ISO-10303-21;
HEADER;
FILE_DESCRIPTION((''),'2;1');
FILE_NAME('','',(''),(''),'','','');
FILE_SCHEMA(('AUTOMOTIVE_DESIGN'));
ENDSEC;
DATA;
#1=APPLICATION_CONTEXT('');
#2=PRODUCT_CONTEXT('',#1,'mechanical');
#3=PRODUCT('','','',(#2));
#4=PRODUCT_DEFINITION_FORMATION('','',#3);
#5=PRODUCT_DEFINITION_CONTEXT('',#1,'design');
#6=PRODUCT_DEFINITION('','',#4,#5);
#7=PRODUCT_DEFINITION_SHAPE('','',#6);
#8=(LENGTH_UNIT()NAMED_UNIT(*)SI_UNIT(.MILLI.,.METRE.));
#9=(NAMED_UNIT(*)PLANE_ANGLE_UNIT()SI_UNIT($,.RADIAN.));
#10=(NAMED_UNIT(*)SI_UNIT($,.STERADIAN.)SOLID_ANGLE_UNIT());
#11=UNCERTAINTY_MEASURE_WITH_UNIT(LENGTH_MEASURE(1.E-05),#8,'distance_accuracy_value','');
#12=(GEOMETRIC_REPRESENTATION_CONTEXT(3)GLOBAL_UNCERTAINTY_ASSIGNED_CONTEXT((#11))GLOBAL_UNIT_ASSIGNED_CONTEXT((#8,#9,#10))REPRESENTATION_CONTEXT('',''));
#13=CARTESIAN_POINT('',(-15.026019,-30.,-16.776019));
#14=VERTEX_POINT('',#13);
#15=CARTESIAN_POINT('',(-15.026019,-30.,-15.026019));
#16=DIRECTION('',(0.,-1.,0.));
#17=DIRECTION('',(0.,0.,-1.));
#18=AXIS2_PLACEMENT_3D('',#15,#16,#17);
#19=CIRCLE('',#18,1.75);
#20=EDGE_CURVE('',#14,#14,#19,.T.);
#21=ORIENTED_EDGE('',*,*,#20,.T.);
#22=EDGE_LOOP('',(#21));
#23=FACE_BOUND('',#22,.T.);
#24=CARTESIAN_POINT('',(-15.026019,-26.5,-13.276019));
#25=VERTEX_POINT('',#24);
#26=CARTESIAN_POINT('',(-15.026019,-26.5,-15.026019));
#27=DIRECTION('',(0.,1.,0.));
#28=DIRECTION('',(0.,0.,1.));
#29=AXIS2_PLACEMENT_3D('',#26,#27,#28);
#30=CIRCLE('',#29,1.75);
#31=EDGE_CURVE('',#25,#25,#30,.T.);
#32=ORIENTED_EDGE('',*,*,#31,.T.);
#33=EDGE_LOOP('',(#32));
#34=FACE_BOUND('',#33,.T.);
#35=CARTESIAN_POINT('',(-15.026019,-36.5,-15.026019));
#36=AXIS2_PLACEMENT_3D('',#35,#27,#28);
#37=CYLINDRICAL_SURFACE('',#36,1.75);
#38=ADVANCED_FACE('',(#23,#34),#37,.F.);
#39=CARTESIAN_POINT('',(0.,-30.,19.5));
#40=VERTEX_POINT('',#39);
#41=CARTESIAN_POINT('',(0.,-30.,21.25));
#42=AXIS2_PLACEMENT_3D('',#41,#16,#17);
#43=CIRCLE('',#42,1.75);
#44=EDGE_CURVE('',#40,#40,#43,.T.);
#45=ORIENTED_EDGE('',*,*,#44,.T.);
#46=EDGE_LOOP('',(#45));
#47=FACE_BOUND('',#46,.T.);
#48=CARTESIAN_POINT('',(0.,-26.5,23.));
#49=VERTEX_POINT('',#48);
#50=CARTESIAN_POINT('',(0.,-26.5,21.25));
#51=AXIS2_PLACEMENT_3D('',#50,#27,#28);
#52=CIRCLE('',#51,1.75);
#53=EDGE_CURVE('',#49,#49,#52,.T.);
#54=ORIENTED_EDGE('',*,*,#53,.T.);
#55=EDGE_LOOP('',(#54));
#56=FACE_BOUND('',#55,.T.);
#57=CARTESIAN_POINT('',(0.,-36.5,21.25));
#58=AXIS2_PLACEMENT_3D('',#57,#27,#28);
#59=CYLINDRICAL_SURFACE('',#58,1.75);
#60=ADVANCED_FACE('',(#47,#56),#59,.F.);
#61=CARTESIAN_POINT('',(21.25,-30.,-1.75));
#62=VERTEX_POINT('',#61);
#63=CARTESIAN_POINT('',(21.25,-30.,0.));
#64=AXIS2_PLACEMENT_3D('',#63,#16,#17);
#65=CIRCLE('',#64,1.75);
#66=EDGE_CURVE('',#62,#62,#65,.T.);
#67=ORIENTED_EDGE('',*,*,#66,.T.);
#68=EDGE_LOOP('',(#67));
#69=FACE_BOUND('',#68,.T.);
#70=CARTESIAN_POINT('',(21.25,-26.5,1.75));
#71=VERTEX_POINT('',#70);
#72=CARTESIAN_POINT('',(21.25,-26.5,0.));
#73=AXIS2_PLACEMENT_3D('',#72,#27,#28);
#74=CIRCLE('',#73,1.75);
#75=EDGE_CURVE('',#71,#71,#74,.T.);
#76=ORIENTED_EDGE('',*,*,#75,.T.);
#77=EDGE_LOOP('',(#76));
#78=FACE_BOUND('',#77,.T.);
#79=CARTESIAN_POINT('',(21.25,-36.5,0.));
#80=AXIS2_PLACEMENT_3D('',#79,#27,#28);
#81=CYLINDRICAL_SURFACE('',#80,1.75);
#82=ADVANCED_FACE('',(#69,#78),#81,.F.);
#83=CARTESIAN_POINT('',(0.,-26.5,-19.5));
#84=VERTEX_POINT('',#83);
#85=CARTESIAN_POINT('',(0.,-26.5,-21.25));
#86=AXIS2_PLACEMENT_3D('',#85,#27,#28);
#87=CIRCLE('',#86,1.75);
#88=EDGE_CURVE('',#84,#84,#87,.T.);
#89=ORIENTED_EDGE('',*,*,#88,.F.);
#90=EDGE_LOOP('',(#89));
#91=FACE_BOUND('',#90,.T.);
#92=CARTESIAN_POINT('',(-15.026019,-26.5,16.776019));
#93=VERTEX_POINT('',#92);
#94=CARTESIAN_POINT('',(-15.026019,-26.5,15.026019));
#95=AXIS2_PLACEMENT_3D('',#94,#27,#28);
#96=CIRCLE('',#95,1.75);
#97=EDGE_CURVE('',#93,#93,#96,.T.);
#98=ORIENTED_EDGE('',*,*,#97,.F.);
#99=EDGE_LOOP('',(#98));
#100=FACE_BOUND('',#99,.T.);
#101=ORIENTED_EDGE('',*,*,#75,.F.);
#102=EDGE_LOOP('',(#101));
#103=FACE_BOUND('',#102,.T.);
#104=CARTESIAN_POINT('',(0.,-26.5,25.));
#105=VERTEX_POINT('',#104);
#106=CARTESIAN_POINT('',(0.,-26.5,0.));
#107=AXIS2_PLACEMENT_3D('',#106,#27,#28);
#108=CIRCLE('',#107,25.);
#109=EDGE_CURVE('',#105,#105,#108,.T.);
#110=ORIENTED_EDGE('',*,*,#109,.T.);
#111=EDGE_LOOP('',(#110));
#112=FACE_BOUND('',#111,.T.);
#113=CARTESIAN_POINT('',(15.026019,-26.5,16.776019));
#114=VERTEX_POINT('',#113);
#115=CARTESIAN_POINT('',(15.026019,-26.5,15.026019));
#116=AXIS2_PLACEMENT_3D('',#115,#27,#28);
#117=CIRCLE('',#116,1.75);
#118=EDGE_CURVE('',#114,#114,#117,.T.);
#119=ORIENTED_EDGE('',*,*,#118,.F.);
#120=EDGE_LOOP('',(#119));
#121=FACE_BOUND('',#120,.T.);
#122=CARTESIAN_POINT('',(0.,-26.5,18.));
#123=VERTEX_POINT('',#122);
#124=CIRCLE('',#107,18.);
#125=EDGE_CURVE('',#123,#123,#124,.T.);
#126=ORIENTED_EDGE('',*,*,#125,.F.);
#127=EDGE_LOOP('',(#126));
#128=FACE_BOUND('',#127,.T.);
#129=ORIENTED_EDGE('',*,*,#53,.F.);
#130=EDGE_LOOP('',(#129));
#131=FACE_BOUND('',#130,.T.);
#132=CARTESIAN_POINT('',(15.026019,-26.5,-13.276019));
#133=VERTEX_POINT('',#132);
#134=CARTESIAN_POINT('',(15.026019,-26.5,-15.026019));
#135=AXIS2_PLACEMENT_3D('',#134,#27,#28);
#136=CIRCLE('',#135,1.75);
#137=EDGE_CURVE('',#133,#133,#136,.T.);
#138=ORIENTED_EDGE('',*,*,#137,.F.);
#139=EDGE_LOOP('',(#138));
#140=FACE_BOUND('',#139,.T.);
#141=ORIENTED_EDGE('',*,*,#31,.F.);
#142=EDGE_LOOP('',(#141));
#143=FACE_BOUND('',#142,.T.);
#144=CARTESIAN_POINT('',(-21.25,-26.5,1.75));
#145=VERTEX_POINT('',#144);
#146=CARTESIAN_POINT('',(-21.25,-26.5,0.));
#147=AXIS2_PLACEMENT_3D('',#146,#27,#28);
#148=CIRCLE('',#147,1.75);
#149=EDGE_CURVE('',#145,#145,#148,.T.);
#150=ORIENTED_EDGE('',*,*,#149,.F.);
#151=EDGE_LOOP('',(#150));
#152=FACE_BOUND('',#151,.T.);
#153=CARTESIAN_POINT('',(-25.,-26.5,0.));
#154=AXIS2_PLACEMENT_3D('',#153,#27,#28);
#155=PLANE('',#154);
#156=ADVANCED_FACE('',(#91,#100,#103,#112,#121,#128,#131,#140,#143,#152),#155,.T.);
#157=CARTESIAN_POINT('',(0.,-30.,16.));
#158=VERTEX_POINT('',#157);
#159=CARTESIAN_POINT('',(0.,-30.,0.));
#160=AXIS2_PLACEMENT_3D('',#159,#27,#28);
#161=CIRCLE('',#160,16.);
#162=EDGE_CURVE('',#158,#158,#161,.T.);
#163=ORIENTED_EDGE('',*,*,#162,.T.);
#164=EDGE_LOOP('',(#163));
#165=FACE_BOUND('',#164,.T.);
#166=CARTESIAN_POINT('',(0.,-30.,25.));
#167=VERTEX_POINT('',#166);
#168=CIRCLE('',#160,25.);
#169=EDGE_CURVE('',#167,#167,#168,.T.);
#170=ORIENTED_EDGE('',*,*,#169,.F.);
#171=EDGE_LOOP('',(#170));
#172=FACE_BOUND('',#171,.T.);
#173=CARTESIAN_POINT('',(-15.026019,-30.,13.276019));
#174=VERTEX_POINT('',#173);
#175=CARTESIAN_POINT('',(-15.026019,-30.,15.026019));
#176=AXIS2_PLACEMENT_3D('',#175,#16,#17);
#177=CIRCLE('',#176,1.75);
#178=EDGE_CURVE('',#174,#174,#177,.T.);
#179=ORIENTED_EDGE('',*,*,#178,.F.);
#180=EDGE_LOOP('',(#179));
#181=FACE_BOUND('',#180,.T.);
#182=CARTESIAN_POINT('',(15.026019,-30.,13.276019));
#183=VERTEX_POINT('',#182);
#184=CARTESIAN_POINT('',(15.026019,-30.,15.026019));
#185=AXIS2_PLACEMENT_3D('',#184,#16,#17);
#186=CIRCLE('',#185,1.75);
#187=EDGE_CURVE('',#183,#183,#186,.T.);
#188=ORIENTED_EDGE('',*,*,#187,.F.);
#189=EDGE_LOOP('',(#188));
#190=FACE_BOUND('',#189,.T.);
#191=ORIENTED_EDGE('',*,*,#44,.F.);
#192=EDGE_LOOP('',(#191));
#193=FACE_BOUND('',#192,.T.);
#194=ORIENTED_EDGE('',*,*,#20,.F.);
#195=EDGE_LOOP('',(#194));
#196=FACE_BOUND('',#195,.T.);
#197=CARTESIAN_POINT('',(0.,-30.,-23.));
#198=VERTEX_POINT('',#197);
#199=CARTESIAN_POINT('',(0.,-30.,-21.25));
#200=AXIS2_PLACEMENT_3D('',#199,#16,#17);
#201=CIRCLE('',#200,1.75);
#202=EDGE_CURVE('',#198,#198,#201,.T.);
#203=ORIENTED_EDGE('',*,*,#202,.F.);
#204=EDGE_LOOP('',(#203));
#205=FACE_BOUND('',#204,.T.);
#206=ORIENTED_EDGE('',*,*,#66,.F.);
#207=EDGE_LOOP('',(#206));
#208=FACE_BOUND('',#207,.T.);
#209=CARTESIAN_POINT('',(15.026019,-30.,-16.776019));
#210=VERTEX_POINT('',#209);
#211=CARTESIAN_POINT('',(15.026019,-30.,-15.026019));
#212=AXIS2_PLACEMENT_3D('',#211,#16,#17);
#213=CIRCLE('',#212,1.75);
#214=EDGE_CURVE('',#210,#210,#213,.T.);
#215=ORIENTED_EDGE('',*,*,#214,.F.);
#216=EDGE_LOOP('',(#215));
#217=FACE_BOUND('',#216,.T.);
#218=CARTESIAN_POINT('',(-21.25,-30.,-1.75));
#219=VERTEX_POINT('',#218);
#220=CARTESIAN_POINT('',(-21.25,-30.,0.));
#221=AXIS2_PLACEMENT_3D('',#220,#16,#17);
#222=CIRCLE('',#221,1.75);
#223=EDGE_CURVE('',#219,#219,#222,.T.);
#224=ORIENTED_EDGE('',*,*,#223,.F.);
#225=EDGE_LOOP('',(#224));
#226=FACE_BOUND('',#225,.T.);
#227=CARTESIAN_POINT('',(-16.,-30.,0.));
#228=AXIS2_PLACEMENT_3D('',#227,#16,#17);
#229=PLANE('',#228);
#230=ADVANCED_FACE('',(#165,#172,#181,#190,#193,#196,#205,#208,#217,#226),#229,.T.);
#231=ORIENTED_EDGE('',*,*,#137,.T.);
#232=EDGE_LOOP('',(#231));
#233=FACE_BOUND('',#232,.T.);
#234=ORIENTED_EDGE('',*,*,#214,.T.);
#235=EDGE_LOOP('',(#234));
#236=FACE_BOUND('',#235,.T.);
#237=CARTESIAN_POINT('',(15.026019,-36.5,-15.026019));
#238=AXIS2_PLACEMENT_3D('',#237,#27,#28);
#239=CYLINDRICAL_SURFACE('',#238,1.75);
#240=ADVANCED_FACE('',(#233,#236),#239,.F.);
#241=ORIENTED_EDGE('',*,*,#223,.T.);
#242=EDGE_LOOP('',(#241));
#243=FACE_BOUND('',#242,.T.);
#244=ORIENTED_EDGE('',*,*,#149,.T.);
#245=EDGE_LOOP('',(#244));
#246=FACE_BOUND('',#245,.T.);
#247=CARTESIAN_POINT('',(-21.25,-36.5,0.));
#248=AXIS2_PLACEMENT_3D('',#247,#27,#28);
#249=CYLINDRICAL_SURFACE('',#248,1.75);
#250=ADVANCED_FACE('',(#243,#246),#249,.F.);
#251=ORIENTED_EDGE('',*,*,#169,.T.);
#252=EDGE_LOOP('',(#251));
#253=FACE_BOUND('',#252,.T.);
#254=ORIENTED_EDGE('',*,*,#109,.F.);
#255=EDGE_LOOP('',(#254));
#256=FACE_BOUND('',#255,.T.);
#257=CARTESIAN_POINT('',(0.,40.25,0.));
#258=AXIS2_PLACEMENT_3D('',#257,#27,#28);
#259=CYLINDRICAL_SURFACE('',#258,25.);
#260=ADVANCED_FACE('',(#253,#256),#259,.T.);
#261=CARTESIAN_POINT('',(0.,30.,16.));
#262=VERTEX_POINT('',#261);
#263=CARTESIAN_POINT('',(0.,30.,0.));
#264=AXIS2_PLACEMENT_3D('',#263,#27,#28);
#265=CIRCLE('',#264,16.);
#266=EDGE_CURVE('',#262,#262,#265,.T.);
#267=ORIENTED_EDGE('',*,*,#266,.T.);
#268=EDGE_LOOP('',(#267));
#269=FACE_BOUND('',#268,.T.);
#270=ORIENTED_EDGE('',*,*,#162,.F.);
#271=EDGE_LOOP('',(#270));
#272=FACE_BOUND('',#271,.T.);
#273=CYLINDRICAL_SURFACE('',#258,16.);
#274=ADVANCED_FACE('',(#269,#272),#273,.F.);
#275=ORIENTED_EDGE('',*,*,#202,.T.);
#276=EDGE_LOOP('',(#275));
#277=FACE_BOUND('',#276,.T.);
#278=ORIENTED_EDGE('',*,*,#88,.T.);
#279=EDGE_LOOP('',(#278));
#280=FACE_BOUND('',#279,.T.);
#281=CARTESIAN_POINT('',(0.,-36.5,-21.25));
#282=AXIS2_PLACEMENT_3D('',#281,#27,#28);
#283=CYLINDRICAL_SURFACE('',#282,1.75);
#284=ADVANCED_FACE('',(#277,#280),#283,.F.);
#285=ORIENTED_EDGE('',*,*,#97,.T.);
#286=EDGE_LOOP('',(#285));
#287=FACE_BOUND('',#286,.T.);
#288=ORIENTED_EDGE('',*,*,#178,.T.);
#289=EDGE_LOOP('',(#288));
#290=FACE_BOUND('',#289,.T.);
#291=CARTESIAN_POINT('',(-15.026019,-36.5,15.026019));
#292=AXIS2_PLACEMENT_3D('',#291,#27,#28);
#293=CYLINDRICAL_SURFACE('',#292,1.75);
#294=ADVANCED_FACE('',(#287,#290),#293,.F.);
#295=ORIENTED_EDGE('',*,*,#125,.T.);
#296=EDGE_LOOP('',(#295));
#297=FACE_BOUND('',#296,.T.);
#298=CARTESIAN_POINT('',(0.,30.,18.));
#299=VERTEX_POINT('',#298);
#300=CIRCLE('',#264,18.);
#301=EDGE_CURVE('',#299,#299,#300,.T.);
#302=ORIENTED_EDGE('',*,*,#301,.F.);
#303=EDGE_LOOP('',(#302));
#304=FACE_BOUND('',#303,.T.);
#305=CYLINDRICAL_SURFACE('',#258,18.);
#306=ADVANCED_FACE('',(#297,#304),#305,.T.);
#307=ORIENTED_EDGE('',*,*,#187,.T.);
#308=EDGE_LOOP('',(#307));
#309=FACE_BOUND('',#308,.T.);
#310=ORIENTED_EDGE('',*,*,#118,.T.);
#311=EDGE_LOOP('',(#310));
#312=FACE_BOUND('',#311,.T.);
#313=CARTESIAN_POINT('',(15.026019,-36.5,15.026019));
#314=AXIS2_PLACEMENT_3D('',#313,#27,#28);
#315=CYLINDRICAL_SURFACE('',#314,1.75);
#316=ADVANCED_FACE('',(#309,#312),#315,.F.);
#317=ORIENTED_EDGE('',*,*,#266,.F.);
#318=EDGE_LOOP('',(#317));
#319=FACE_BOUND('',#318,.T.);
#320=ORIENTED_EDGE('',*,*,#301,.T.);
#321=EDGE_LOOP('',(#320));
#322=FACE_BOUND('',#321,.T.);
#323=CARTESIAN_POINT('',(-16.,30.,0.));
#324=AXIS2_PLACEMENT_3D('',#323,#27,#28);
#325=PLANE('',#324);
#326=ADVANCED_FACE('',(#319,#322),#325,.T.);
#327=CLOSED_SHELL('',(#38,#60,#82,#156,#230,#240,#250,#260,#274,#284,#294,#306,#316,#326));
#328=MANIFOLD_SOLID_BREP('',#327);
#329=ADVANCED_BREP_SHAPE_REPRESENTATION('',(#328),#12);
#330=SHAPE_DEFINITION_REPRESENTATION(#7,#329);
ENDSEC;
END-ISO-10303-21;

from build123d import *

# Parameters (mm, degrees)
SKETCH2_R          = 1.75
CUT_EXTRUDE1_DEPTH = 10


with BuildPart() as part:
    # Sketch1 → Revolve1 (revolve)
    with BuildSketch(Plane.XY, mode=Mode.PRIVATE) as revolve1_sk:
        Polygon((-18, 30), (-18, -26.5), (-25, -26.5), (-25, -30), (-16, -30), (-16, 30), align=None)
    revolve(revolve1_sk.sketch.rotate(Axis((0, 40.25, 0), (0, -1, 0)), 270), axis=Axis((0, 40.25, 0), (0, -1, 0)))

    # Sketch2 → Cut-Extrude1 (cut)
    with BuildSketch(Plane(origin=(0, -26.5, 0), x_dir=(1, 0, 0), z_dir=(0, 1, 0))):
        with Locations(Location((0, 21.25, 0), (0, 0, 270))):
            Circle(SKETCH2_R)
        with Locations(Location((15.0260191, 15.0260191, 0), (0, 0, 270))):
            Circle(SKETCH2_R)
        with Locations(Location((21.25, 0, 0), (0, 0, 270))):
            Circle(SKETCH2_R)
        with Locations(Location((15.0260191, -15.0260191, 0), (0, 0, 270))):
            Circle(SKETCH2_R)
        with Locations(Location((0, -21.25, 0), (0, 0, 270))):
            Circle(SKETCH2_R)
        with Locations(Location((-15.0260191, -15.0260191, 0), (0, 0, 270))):
            Circle(SKETCH2_R)
        with Locations(Location((-21.25, 0, 0), (0, 0, 270))):
            Circle(SKETCH2_R)
        with Locations(Location((-15.0260191, 15.0260191, 0), (0, 0, 270))):
            Circle(SKETCH2_R)
    extrude(amount=-CUT_EXTRUDE1_DEPTH, mode=Mode.SUBTRACT)


solid = part.part
